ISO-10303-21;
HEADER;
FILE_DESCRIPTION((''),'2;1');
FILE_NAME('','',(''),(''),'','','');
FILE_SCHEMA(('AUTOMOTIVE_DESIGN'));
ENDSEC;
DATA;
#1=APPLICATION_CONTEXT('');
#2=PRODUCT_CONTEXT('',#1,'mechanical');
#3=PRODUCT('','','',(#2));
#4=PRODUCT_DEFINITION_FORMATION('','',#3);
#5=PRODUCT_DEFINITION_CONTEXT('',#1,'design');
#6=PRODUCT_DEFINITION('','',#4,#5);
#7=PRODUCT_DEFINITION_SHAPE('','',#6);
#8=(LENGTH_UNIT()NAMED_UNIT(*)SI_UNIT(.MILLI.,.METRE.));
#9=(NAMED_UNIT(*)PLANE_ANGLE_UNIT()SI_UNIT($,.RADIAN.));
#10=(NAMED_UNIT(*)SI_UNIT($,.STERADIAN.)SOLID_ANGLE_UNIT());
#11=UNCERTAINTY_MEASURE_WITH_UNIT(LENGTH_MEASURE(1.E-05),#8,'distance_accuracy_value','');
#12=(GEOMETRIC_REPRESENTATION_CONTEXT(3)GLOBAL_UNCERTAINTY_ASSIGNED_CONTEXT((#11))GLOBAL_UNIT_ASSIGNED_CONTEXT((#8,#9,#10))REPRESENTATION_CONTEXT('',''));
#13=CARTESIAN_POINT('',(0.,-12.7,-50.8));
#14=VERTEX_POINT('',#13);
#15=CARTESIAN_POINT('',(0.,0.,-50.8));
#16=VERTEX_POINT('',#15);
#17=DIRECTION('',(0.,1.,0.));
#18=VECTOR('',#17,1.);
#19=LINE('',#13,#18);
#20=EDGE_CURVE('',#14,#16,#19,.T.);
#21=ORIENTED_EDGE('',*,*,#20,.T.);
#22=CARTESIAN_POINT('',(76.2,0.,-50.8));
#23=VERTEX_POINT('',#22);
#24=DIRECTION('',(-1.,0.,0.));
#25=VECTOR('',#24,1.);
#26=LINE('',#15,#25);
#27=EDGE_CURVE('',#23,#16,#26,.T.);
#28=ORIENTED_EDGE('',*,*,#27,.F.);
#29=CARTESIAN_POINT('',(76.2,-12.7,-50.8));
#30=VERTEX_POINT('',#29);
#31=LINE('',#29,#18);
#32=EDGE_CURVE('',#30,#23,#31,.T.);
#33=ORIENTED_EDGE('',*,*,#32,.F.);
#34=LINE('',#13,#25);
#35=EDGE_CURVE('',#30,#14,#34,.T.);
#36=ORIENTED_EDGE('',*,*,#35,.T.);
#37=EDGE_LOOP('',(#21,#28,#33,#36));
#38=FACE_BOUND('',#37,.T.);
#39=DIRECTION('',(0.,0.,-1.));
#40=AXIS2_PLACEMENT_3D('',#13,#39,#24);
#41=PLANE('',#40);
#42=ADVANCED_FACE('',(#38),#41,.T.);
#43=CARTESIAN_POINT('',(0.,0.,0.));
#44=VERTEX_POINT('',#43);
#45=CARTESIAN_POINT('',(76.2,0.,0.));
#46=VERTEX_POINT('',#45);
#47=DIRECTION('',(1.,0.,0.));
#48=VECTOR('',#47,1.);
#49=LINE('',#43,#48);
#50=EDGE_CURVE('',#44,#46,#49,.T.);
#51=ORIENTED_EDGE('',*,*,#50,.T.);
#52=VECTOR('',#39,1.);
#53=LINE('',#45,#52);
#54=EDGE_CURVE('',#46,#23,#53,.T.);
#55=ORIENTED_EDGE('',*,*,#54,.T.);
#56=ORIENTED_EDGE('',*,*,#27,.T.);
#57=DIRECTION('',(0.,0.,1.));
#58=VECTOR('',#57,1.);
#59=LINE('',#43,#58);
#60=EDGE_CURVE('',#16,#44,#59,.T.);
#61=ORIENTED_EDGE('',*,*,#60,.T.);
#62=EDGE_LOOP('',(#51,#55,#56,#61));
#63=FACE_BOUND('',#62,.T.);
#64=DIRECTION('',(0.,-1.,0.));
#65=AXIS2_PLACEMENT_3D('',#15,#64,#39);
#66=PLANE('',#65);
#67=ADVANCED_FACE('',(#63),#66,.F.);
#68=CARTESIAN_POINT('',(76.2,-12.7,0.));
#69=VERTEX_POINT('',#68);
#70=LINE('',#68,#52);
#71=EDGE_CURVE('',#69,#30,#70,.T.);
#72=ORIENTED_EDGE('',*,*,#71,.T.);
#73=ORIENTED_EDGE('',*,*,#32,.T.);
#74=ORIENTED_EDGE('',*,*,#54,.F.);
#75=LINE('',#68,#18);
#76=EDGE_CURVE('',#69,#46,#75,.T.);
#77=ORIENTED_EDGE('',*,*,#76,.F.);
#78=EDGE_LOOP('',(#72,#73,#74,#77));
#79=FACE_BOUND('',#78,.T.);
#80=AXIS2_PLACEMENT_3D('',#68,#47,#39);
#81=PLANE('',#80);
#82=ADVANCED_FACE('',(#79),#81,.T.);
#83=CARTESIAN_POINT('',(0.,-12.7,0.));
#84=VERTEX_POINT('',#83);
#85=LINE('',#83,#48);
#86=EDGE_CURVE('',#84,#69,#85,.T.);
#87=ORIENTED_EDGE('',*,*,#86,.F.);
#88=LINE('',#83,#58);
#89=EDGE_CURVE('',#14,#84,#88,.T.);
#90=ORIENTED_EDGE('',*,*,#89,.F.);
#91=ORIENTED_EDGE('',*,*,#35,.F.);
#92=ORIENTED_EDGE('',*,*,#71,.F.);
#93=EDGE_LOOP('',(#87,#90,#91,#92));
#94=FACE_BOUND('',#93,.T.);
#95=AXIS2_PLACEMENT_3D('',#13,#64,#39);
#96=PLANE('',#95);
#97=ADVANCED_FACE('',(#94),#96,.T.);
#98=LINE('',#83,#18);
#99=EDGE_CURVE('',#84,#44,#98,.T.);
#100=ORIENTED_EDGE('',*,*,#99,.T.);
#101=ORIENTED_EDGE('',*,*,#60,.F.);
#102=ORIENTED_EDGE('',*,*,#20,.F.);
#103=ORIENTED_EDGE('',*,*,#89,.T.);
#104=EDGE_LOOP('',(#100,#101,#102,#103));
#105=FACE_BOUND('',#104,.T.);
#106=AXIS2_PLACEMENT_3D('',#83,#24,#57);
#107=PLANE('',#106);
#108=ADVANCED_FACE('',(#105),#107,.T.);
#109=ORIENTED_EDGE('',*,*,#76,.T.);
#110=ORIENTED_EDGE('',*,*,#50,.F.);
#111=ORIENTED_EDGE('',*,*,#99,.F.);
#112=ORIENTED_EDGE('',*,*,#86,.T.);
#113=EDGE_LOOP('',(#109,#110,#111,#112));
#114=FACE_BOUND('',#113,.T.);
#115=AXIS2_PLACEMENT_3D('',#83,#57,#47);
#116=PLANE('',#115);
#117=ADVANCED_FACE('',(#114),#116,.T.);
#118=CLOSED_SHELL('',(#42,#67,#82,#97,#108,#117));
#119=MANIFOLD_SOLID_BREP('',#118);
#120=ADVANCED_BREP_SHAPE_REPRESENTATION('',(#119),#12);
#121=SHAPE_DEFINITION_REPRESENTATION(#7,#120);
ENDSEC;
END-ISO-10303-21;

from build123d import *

# Parameters (mm, degrees)
SKETCH4_W      = 76.2
SKETCH4_H      = 50.8
EXTRUDE2_DEPTH = 12.7


with BuildPart() as part:
    # Sketch4 → Extrude2 (new body)
    with BuildSketch(Plane(origin=(0, 0, 0), x_dir=(1, 0, 0), z_dir=(0, 1, 0))):
        with Locations((38.1, 25.4)):
            Rectangle(SKETCH4_W, SKETCH4_H)
    extrude(amount=-EXTRUDE2_DEPTH)


solid = part.part
